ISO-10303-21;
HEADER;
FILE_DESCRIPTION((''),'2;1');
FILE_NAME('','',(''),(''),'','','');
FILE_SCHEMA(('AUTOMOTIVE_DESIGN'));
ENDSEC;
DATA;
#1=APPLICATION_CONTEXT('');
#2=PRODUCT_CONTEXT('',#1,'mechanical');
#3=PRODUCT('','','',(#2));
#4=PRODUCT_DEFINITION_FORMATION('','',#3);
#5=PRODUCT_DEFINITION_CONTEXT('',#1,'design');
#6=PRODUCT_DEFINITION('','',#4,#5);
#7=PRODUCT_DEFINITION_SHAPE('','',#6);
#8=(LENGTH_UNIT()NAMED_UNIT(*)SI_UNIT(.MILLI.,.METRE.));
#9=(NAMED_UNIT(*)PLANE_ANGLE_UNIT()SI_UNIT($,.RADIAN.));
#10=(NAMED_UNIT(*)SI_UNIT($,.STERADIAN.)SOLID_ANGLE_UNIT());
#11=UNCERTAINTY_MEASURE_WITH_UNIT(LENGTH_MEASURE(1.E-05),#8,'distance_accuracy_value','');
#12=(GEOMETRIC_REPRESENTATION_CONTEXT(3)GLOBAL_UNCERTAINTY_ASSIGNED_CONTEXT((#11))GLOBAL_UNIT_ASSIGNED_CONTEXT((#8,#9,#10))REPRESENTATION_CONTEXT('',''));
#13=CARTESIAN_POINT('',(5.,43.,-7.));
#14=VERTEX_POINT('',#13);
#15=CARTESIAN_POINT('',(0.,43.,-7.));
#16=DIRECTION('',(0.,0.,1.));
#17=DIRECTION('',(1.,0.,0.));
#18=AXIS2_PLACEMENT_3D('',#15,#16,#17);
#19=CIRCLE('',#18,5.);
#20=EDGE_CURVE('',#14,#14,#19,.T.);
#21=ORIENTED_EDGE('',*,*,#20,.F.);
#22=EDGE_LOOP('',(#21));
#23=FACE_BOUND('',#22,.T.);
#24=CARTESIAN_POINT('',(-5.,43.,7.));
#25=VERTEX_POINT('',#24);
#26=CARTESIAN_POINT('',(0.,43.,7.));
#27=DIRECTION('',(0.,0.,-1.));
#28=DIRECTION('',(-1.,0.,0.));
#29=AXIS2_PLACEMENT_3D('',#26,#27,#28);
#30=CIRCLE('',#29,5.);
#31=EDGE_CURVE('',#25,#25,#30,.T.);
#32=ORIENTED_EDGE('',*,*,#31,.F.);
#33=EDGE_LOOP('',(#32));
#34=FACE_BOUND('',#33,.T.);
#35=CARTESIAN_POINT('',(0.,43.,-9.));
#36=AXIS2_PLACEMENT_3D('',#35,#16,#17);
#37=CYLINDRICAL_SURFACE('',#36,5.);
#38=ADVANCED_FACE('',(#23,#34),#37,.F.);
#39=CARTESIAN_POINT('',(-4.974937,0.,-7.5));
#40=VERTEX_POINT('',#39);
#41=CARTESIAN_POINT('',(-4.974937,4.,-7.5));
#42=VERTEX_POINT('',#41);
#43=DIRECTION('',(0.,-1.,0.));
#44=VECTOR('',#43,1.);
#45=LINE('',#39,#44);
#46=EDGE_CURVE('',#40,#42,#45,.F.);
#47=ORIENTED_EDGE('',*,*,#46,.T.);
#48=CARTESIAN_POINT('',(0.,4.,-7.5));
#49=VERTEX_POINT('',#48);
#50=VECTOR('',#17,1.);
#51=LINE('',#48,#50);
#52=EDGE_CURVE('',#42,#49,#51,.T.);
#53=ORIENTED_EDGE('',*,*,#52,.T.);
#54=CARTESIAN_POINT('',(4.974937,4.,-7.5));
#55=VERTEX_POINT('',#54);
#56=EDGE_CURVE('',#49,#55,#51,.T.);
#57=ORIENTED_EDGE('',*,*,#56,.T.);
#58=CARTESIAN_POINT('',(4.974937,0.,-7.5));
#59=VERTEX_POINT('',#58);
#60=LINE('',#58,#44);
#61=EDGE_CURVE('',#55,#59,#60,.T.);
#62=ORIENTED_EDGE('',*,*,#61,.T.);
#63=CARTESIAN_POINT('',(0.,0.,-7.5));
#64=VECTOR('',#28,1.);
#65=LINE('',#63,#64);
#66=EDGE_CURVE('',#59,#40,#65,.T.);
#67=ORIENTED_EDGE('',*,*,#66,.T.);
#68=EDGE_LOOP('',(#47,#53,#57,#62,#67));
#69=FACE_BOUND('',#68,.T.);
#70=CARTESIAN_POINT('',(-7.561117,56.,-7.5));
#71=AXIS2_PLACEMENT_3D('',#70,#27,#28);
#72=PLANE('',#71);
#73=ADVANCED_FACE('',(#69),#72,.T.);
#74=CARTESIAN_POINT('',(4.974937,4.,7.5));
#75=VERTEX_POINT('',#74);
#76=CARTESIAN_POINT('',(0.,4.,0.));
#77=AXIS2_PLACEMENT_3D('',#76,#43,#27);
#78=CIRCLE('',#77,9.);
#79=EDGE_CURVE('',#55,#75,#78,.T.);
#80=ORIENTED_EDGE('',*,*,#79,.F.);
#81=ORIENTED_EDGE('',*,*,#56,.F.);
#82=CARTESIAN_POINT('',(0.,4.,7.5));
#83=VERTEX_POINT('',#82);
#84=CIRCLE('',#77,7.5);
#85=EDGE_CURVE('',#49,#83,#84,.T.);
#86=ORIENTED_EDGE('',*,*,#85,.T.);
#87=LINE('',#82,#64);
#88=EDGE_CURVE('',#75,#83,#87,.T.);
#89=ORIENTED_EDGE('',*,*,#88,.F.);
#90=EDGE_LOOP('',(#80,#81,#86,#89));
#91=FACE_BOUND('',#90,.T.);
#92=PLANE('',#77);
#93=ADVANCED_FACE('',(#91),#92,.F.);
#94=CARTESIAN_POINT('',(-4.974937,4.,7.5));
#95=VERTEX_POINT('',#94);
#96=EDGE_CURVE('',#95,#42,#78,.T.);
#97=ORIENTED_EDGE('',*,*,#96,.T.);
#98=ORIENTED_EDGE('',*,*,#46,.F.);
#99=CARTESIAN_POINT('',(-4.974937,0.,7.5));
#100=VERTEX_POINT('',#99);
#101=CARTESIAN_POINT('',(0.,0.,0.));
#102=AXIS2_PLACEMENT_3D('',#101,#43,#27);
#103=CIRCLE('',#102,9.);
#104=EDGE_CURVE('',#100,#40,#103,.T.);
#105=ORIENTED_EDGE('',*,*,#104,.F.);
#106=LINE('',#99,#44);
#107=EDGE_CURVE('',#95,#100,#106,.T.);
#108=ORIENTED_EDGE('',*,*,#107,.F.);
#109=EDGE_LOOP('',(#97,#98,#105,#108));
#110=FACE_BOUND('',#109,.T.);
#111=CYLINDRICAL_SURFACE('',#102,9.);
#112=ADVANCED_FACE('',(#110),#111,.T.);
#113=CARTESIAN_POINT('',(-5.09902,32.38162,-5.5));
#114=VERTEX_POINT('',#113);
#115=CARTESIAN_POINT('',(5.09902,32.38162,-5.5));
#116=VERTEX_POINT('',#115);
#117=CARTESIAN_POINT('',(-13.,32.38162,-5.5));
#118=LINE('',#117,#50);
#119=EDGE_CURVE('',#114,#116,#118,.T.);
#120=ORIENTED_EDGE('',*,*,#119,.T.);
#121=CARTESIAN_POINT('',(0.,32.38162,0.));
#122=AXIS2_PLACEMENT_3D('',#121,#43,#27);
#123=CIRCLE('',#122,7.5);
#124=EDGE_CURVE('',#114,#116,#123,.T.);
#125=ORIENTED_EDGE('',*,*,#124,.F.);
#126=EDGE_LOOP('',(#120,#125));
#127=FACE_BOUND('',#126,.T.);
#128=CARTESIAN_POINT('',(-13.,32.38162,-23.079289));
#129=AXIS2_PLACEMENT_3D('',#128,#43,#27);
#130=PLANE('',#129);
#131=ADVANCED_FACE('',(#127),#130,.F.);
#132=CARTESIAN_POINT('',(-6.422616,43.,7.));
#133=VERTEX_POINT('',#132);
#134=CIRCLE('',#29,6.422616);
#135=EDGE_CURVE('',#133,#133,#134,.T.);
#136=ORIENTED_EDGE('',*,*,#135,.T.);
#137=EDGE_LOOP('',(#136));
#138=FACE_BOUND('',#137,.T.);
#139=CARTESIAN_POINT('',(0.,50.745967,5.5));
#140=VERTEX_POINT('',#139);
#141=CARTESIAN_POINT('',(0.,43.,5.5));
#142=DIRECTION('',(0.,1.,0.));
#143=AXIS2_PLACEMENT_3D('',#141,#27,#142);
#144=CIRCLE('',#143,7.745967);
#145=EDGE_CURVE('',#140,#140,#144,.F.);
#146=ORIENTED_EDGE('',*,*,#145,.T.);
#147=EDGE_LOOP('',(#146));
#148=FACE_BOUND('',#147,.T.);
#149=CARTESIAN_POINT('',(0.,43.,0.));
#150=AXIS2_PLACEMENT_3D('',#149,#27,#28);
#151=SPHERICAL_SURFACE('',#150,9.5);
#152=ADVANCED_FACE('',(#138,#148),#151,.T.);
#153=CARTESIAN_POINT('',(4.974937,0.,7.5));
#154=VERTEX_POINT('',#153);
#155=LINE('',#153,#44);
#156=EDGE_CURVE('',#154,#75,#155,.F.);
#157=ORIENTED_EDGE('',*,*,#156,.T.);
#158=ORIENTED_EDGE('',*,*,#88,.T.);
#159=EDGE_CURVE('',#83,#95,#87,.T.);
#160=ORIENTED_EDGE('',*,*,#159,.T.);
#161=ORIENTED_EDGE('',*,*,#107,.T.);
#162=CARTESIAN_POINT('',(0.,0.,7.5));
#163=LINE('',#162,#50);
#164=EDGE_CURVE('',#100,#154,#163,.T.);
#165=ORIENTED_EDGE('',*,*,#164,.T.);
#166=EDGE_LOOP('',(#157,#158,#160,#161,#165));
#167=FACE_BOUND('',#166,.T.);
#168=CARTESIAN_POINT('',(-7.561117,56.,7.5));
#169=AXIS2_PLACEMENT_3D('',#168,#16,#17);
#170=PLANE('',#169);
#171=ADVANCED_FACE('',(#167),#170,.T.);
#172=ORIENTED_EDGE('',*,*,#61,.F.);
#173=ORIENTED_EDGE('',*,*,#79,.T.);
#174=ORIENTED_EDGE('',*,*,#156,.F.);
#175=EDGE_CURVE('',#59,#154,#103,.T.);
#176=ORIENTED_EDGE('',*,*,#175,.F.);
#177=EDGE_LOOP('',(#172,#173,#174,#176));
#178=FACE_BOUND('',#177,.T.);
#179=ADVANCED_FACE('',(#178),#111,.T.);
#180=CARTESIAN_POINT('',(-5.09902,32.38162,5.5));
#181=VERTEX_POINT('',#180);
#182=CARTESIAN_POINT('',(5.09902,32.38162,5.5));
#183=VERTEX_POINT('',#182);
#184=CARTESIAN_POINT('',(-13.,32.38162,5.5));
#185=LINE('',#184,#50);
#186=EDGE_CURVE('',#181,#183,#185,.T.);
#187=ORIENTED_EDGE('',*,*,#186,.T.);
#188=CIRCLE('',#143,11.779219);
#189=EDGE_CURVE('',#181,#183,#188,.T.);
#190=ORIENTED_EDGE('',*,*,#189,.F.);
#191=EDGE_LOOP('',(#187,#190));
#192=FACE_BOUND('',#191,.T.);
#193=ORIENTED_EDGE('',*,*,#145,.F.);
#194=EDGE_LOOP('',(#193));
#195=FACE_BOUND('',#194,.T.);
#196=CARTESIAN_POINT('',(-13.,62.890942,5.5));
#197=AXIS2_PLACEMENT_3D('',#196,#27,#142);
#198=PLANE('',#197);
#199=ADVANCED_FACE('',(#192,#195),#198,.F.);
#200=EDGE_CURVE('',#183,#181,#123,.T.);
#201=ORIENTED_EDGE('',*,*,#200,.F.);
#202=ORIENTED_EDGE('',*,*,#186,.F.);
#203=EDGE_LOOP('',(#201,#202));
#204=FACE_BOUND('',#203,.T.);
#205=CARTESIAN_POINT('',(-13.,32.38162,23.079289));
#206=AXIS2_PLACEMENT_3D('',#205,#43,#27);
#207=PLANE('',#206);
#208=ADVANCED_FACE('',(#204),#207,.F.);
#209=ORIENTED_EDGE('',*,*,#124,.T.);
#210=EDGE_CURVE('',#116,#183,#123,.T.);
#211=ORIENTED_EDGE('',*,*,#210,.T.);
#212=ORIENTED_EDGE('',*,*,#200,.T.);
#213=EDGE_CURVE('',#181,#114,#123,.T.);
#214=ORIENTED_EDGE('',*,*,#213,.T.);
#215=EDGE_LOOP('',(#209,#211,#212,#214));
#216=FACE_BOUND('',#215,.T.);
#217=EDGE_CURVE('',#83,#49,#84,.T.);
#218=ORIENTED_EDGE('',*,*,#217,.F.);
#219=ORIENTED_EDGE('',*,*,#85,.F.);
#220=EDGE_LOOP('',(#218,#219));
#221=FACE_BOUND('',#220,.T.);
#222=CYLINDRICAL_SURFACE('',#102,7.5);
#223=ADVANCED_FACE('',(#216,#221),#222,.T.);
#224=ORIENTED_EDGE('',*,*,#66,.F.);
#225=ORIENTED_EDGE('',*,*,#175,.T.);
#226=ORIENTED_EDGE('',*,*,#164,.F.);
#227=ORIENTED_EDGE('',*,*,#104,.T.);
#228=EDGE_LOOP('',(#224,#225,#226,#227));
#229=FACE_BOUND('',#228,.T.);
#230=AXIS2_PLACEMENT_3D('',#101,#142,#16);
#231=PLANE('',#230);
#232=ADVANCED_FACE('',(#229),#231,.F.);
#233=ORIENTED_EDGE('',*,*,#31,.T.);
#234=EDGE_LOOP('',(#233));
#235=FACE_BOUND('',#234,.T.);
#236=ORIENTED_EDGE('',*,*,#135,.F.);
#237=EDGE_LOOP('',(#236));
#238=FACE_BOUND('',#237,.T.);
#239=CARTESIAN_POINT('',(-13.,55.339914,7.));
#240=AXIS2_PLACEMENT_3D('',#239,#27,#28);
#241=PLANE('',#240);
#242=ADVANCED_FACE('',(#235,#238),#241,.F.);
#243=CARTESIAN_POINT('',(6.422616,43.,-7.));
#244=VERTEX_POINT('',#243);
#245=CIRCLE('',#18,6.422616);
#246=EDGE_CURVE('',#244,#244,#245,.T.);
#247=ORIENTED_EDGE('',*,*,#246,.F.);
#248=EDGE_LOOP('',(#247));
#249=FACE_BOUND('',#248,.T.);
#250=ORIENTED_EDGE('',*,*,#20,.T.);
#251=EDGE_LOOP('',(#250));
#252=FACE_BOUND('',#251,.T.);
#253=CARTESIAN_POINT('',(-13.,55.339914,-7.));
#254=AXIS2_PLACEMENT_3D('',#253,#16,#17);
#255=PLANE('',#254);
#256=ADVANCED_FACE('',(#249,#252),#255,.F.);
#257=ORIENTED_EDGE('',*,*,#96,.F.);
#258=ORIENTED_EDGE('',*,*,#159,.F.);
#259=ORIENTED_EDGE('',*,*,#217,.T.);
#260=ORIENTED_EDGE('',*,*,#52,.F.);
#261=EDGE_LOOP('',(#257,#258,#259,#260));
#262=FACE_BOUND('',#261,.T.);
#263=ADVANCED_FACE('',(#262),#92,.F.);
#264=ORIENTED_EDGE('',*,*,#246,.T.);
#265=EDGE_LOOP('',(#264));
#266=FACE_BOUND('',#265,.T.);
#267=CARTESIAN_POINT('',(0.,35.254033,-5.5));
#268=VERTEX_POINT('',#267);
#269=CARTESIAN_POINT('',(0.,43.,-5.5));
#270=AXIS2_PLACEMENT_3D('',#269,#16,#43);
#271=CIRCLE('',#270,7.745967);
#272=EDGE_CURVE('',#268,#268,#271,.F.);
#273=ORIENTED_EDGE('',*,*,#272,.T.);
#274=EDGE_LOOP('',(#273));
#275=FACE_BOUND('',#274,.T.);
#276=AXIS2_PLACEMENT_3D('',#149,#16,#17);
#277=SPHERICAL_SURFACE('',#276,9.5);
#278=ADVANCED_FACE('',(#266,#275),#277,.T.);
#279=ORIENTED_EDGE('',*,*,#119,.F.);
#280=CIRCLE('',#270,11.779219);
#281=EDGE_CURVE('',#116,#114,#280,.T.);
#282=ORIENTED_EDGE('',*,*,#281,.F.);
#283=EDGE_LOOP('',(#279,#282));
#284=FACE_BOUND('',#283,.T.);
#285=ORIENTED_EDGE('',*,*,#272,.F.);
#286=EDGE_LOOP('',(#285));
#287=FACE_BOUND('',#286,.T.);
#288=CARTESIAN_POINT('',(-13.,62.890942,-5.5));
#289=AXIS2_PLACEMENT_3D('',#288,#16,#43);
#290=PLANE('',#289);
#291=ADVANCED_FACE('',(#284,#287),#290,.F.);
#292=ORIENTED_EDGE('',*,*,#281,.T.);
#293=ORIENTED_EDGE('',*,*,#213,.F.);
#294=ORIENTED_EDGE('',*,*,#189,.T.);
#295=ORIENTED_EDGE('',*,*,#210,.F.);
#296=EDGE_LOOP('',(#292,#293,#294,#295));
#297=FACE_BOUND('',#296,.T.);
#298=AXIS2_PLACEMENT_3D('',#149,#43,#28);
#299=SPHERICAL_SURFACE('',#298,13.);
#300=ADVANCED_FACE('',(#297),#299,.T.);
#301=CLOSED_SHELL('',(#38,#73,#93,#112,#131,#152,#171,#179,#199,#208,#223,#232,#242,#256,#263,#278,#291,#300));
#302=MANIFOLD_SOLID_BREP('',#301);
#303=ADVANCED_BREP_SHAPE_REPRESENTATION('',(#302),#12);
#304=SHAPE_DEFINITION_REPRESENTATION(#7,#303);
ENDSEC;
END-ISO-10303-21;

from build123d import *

# Parameters (mm, degrees)
CUT_EXTRUDE3_DEPTH      = 59.940648113
CUT_EXTRUDE3_DEPTH_BACK = 59.940648113
SKETCH3_W               = 17.579289035
SKETCH3_H               = 30.509322749
CUT_EXTRUDE4_DEPTH      = 59.268773799
CUT_EXTRUDE4_DEPTH_BACK = 59.268773799
SKETCH4_W               = 14.932737824
SKETCH4_H               = 19.875765969
CUT_EXTRUDE5_DEPTH      = 60.674114991
CUT_EXTRUDE5_DEPTH_BACK = 60.674114991
SKETCH5_R               = 5
CUT_EXTRUDE6_DEPTH      = 59.189346104
CUT_EXTRUDE6_DEPTH_BACK = 59.189346104
SKETCH6_W               = 15.994671042
SKETCH6_H               = 5.292782054


with BuildPart() as part:
    # Sketch1 → Revolve5 (revolve)
    with BuildSketch(Plane.XY):
        with BuildLine():
            Line((0, 52.5), (0, 53.5))
            ThreePointArc((0, 53.5), (-10.5, 43), (0, 32.5))
            Line((0, 32.5), (0, 33.5))
            ThreePointArc((0, 33.5), (-9.5, 43), (0, 52.5))
        make_face()
    revolve(axis=Axis((0, 0, 0), (0, 1, 0)))

    # Sketch1<7> → Revolve6 (revolve)
    with BuildSketch(Plane.XY):
        with BuildLine():
            Line((-7.5, 32.381619709), (-7.5, 4))
            Line((-7.5, 4), (-9, 4))
            Line((-9, 4), (-9, 0))
            Line((-9, 0), (0, 0))
            Line((0, 0), (0, 32.5))
            ThreePointArc((0, 32.5), (-10.5, 43), (0, 53.5))
            Line((0, 53.5), (0, 56))
            ThreePointArc((0, 56), (-12.39029749, 46.934530227), (-7.5, 32.381619709))
        make_face()
    revolve(axis=Axis((0, 0, 0), (0, 1, 0)))

    # Sketch3 → Cut-Extrude3 (cut, two sides: drawn at the far end of the back side and taken through both)
    with BuildSketch(Plane(origin=(0, 0, 0), x_dir=(0, 0, -1), z_dir=(1, 0, 0)).offset(-CUT_EXTRUDE3_DEPTH_BACK)):
        with Locations((-14.289644518, 47.636281084)):
            Rectangle(SKETCH3_W, SKETCH3_H)
        with Locations((14.289644518, 47.636281084)):
            Rectangle(SKETCH3_W, SKETCH3_H)
    extrude(amount=CUT_EXTRUDE3_DEPTH + CUT_EXTRUDE3_DEPTH_BACK, mode=Mode.SUBTRACT)

    # Sketch1<8> → Revolve7 (revolve)
    with BuildSketch(Plane.XY):
        with BuildLine():
            Line((0, 33.5), (0, 52.5))
            ThreePointArc((0, 52.5), (-9.5, 43), (0, 33.5))
        make_face()
    revolve(axis=Axis((0, 0, 0), (0, 1, 0)))

    # Sketch4 → Cut-Extrude4 (cut, two sides: drawn at the far end of the back side and taken through both)
    with BuildSketch(Plane(origin=(0, 0, 0), x_dir=(0, 0, -1), z_dir=(1, 0, 0)).offset(-CUT_EXTRUDE4_DEPTH_BACK)):
        with Locations((-14.466368912, 45.402031304)):
            Rectangle(SKETCH4_W, SKETCH4_H)
        with Locations((14.466368912, 45.402031304)):
            Rectangle(SKETCH4_W, SKETCH4_H)
    extrude(amount=CUT_EXTRUDE4_DEPTH + CUT_EXTRUDE4_DEPTH_BACK, mode=Mode.SUBTRACT)

    # Sketch5 → Cut-Extrude5 (cut, two sides: drawn at the far end of the back side and taken through both)
    with BuildSketch(Plane.XY.offset(7).offset(-CUT_EXTRUDE5_DEPTH_BACK)):
        with Locations((0, 43)):
            Circle(SKETCH5_R)
    extrude(amount=CUT_EXTRUDE5_DEPTH + CUT_EXTRUDE5_DEPTH_BACK, mode=Mode.SUBTRACT)

    # Sketch6 → Cut-Extrude6 (cut, two sides: drawn at the far end of the back side and taken through both)
    with BuildSketch(Plane(origin=(0, 0, 0), x_dir=(1, 0, 0), z_dir=(0, 1, 0)).offset(-CUT_EXTRUDE6_DEPTH_BACK)):
        with Locations((0.436218301, 10.146391027)):
            Rectangle(SKETCH6_W, SKETCH6_H)
        with Locations((0.436218301, -10.146391027)):
            Rectangle(SKETCH6_W, SKETCH6_H)
    extrude(amount=CUT_EXTRUDE6_DEPTH + CUT_EXTRUDE6_DEPTH_BACK, mode=Mode.SUBTRACT)


solid = part.part
